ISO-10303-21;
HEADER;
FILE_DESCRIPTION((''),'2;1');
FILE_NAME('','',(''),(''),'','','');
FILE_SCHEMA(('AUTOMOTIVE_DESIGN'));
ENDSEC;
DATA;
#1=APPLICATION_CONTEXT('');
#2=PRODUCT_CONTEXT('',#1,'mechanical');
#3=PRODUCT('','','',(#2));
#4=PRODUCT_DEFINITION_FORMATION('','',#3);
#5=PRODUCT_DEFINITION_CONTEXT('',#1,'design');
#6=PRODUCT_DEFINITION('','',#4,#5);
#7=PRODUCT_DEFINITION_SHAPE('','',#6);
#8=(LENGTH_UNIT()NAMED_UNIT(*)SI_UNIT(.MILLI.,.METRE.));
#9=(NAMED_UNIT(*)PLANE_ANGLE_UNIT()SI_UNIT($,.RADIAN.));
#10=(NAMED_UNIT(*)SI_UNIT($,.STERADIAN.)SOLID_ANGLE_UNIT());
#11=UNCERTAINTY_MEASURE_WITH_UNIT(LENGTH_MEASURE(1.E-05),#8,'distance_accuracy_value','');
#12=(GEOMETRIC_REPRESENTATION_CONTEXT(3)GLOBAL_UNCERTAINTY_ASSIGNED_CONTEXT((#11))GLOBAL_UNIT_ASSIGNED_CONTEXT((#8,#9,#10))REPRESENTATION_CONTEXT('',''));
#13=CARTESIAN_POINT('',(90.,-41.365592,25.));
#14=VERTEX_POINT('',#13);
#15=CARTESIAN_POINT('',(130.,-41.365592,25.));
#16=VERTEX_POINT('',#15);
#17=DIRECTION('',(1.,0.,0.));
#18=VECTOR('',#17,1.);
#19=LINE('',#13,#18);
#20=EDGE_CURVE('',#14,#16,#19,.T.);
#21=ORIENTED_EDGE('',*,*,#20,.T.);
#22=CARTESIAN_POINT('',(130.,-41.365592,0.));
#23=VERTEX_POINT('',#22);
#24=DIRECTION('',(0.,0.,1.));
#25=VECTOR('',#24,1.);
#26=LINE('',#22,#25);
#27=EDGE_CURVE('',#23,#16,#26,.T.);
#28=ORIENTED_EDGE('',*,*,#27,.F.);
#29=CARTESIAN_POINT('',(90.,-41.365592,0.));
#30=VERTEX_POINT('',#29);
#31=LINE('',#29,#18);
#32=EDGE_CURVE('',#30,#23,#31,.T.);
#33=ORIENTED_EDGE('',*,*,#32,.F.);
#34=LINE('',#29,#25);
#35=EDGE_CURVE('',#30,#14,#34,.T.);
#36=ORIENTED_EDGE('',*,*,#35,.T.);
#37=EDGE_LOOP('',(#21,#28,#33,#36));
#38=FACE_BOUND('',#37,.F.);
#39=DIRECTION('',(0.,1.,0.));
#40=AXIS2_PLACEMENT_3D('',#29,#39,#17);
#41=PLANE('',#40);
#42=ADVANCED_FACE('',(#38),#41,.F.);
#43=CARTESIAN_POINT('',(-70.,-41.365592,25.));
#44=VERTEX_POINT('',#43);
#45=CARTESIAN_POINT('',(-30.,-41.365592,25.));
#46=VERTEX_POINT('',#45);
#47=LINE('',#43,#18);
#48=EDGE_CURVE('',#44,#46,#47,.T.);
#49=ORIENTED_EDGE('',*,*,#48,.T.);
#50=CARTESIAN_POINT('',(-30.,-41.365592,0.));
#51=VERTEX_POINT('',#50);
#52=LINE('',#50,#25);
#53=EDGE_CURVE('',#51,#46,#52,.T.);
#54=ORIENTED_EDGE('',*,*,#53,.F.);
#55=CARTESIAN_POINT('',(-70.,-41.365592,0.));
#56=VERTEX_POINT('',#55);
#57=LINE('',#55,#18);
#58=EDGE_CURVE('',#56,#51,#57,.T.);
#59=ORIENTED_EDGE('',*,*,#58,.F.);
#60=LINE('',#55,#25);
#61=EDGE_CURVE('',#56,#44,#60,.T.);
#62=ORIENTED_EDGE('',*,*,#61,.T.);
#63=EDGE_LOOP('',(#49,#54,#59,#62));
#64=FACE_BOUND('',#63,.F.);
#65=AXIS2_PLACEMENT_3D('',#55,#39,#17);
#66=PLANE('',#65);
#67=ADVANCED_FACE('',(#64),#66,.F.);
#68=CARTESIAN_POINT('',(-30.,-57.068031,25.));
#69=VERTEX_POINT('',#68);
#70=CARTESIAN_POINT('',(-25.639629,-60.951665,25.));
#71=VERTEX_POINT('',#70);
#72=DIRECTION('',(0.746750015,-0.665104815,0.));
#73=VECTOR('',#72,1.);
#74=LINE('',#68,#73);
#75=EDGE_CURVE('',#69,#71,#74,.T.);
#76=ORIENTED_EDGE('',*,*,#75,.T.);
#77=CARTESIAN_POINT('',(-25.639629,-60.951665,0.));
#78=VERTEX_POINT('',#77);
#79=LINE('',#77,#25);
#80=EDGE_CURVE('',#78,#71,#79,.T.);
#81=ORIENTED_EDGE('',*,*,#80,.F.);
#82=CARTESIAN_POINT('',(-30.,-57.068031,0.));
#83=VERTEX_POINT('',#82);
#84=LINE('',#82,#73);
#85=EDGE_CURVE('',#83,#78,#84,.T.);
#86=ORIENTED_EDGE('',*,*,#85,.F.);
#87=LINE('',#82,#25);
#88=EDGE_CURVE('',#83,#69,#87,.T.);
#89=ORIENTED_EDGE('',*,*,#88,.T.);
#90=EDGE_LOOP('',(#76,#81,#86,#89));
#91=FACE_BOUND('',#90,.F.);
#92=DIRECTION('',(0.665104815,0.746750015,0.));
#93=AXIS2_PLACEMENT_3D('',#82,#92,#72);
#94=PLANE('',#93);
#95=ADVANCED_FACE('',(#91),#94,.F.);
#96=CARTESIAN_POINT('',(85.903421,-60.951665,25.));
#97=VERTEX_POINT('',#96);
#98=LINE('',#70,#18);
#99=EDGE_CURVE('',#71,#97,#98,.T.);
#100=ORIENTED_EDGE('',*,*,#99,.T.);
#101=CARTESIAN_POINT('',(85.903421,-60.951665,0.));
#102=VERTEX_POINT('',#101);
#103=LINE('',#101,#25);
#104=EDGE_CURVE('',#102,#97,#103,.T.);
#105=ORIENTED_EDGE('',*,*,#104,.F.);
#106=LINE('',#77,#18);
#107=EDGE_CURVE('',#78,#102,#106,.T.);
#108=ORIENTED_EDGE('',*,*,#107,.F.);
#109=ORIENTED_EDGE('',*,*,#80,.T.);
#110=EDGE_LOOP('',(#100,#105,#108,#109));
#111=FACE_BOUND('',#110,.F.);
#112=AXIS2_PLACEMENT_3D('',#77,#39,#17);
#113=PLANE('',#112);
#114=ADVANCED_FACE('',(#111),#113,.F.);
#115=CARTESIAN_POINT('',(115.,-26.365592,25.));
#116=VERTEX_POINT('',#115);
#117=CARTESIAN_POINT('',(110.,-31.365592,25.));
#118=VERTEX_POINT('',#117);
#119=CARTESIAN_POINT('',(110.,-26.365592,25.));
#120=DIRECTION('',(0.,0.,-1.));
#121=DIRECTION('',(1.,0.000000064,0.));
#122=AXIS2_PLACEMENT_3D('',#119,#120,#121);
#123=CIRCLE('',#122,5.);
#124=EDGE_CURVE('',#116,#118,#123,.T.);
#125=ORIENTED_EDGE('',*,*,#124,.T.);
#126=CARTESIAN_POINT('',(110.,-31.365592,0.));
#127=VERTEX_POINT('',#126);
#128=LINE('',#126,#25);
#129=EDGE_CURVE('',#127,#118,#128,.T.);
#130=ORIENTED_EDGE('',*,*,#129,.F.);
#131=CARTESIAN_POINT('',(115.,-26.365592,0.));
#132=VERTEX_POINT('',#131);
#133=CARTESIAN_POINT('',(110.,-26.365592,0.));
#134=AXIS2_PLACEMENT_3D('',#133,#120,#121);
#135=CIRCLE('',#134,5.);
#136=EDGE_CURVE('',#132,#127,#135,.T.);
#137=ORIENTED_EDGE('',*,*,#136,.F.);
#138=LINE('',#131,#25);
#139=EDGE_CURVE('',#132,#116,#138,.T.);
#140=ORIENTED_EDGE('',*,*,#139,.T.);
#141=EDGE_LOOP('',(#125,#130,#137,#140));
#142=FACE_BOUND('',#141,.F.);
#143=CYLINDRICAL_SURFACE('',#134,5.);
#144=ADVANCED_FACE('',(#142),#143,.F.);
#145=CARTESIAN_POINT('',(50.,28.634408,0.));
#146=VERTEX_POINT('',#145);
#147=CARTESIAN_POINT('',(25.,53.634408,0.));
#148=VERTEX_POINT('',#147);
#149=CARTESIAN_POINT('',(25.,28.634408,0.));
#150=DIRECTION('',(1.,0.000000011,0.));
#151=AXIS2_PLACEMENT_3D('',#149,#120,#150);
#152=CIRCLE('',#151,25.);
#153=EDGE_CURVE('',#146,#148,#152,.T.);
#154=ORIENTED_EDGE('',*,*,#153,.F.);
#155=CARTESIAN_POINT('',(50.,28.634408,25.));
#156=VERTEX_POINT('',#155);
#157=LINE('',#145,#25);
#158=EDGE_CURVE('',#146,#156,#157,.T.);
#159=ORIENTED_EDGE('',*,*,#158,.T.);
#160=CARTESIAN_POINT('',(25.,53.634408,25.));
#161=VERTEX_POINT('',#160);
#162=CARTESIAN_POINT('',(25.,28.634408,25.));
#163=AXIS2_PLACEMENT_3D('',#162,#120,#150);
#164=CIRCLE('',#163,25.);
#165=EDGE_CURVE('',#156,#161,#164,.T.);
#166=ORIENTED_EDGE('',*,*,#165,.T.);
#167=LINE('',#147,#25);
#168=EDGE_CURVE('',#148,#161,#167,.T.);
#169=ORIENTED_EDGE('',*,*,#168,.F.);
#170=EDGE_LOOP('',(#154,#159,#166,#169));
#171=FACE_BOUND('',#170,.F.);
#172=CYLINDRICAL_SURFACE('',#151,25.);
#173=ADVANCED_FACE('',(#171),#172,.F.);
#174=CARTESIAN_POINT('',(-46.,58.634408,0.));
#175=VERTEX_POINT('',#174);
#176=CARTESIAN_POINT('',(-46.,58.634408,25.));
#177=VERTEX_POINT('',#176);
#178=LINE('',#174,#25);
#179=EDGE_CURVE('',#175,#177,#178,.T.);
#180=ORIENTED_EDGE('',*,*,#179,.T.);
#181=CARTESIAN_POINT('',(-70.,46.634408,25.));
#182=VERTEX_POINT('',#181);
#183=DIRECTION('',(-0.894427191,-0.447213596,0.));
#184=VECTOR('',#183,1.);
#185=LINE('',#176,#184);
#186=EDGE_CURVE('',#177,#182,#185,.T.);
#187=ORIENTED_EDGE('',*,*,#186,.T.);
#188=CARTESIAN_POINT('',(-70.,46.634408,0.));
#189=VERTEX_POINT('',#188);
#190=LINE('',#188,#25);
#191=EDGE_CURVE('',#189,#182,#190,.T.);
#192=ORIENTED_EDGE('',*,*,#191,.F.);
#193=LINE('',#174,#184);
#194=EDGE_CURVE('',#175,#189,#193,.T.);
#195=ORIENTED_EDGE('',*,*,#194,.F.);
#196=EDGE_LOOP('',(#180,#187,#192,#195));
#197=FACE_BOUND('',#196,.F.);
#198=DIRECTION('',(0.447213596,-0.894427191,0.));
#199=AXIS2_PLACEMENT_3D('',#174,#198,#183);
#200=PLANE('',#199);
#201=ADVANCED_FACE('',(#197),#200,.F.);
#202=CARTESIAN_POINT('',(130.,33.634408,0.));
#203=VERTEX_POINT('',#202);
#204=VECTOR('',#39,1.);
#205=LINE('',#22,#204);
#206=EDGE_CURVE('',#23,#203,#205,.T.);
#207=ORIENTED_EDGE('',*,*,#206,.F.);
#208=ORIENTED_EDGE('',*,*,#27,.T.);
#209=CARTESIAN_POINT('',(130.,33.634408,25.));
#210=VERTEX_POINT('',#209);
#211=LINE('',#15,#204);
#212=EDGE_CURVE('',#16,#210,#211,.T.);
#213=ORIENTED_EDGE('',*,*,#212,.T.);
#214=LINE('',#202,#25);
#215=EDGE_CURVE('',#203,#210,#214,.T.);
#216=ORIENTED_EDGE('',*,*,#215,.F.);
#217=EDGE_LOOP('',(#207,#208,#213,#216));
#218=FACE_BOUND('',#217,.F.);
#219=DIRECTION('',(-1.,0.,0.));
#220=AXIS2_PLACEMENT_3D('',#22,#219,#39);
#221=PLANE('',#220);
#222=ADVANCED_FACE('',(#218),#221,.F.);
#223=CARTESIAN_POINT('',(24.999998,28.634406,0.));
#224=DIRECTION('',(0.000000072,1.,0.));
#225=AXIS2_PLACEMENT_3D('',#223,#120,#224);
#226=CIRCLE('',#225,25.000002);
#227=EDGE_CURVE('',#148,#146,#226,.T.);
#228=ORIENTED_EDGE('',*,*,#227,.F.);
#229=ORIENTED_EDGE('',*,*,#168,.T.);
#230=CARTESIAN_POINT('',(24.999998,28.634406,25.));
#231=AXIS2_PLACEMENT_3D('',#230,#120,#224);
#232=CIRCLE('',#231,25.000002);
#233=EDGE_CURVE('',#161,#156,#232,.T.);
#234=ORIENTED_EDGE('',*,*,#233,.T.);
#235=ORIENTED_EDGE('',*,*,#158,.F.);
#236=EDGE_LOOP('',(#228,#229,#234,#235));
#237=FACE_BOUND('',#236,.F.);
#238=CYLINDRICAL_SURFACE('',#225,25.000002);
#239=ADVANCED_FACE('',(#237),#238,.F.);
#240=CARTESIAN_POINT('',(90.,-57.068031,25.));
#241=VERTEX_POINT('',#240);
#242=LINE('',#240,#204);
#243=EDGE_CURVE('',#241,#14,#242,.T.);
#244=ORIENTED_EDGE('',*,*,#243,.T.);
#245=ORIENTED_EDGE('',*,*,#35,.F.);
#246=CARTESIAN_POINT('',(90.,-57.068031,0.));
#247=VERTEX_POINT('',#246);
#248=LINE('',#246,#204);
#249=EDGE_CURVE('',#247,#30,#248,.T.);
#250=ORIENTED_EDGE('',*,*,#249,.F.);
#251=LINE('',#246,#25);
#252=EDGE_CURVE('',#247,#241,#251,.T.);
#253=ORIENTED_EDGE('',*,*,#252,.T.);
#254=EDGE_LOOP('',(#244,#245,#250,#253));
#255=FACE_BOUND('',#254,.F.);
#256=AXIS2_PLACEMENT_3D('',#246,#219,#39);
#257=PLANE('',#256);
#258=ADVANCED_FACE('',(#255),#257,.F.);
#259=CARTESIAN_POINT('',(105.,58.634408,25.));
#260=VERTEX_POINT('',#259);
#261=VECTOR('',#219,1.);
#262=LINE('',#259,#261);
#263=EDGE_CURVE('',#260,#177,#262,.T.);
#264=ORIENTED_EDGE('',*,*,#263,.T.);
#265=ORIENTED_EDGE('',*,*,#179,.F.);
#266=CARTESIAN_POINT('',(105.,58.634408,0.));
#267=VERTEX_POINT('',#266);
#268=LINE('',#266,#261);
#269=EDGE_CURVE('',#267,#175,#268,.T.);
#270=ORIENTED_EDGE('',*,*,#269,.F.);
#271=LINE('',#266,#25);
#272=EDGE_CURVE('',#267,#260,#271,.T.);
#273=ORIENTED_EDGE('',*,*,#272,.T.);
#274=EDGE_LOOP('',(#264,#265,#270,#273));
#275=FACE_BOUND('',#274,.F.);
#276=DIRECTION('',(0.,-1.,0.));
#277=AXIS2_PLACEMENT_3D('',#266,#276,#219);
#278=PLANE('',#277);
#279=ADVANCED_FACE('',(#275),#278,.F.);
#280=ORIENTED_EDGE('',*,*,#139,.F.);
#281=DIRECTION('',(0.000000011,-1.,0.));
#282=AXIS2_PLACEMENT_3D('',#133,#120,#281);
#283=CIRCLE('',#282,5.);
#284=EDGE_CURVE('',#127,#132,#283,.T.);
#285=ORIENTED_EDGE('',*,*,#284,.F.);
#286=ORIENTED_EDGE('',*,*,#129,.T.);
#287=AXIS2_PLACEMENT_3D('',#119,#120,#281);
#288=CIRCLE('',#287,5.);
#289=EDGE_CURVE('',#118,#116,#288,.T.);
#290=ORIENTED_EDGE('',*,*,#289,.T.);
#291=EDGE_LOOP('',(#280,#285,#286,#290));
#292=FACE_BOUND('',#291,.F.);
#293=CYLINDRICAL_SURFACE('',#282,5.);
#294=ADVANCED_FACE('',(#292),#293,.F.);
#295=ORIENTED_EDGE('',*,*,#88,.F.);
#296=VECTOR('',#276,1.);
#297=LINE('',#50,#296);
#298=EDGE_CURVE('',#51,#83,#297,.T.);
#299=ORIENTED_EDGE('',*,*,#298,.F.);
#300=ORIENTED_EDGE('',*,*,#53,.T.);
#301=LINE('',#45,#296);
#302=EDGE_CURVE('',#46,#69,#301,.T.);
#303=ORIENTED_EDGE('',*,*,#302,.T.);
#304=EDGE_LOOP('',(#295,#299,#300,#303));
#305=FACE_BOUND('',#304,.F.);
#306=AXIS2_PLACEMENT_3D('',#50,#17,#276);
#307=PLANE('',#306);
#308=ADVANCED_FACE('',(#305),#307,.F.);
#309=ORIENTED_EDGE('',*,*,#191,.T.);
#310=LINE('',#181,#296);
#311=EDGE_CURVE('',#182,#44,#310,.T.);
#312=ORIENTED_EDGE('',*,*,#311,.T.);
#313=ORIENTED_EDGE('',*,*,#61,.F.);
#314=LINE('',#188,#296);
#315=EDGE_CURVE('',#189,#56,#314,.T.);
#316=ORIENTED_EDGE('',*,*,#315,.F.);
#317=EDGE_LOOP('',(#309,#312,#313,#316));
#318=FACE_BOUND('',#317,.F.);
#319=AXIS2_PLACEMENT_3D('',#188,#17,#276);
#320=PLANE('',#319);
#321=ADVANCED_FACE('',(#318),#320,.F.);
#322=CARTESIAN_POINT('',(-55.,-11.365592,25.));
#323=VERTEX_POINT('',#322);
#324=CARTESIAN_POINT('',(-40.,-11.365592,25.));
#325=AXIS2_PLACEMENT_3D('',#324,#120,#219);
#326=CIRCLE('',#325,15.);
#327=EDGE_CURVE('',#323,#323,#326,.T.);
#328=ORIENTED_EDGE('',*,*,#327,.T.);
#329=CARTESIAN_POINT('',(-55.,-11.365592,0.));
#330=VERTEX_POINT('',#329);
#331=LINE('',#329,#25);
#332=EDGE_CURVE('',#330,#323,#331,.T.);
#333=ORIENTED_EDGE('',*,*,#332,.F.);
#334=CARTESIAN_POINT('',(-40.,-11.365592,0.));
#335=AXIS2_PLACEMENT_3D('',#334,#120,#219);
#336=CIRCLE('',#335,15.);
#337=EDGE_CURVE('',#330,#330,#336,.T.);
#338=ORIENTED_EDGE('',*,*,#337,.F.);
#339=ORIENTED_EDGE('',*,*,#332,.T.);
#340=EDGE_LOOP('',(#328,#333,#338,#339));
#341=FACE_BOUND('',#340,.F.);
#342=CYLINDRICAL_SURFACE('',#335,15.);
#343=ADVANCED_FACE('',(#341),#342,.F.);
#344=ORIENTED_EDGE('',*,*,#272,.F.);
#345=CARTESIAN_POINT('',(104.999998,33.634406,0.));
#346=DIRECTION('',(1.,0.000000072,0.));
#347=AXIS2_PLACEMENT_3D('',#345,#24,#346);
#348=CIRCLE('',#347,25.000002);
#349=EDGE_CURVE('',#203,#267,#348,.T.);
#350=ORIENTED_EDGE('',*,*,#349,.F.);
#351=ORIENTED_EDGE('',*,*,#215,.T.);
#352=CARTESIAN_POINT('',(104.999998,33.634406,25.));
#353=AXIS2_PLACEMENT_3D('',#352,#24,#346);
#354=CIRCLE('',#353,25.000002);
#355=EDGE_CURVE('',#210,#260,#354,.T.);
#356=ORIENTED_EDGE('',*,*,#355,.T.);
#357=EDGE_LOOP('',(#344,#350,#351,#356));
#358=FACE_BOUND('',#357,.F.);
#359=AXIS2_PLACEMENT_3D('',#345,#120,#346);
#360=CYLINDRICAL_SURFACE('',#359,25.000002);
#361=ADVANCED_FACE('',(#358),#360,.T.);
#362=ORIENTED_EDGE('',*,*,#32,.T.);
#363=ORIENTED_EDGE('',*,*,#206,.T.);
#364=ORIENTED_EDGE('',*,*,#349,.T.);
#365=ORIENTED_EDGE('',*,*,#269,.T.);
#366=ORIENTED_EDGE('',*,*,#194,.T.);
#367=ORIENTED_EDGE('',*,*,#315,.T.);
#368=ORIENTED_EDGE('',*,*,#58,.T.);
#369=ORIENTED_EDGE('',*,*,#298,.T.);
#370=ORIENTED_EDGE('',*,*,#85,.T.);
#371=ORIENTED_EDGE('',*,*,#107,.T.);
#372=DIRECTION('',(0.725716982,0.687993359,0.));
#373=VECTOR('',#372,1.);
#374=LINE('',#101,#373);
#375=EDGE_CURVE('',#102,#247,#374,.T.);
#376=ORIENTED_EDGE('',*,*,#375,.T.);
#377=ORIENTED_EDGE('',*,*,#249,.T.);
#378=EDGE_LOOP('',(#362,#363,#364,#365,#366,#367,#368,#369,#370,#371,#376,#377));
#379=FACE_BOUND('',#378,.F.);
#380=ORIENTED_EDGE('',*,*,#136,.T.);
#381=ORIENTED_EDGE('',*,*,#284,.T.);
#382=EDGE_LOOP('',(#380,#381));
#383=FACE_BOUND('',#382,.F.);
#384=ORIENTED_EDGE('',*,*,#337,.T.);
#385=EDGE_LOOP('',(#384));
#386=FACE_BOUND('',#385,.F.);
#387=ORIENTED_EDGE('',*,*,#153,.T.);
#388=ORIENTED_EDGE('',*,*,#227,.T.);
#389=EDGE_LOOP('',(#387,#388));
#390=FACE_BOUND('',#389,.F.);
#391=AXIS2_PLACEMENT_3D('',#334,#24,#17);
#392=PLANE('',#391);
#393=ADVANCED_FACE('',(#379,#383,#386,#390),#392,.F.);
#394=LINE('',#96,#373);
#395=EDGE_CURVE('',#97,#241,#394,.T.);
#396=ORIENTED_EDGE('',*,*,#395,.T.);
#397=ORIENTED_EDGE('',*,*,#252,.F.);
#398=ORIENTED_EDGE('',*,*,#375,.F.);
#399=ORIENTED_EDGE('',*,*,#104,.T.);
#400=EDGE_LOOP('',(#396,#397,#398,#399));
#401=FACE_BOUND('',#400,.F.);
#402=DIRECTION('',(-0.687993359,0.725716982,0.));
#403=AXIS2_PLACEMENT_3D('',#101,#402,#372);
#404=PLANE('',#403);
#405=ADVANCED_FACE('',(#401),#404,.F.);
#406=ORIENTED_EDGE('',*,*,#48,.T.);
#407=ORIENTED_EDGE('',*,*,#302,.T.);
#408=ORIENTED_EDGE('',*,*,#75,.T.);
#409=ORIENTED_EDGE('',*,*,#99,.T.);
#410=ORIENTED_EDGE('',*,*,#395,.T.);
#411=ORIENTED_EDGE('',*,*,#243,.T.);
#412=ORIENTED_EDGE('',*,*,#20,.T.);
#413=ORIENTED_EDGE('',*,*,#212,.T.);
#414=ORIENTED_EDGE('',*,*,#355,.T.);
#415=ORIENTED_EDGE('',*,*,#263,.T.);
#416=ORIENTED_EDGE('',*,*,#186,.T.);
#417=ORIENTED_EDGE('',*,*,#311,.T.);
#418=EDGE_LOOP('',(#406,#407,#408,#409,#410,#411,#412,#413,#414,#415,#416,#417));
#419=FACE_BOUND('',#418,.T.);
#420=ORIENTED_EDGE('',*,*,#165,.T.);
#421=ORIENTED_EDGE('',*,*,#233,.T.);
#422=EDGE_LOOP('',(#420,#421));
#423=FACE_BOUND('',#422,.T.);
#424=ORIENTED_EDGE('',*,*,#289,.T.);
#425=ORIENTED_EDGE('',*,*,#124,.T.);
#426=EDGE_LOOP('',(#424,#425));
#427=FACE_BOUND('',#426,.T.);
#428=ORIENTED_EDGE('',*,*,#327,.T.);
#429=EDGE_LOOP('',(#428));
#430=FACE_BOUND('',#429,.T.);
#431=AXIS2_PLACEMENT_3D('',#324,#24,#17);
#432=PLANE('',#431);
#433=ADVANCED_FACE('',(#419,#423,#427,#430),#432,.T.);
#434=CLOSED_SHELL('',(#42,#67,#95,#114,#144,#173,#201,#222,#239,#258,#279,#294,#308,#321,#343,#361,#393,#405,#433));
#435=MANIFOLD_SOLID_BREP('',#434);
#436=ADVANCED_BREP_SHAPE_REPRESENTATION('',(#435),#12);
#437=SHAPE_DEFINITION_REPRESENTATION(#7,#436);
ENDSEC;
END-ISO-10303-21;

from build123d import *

# Parameters (mm, degrees)
F1_DEPTH = 25


with BuildPart() as f1:
    # F0 (on Top) → F1 (new body)
    with BuildSketch(Plane.XY):
        with BuildLine():
            ThreePointArc((-25, -11.365592), (-40, 3.634408), (-55, -11.365592))
            ThreePointArc((-55, -11.365592), (-40, -26.365592), (-25, -11.365592))
        make_face()
        with BuildLine():
            ThreePointArc((115, -26.365592), (106.464466, -22.830058), (110, -31.365592))
            ThreePointArc((110, -31.365592), (113.535534, -29.901126), (115, -26.365592))
        make_face()
        with BuildLine():
            ThreePointArc((50, 28.634408), (42.677669, 46.312077), (25, 53.634408))
            ThreePointArc((25, 53.634408), (7.32233, 10.956738), (50, 28.634408))
        make_face()
        with BuildLine():
            Line((-46, 58.634408), (-70, 46.634408))
            Line((-70, 46.634408), (-70, -11.365592))
            Line((-70, -11.365592), (-70, -41.365592))
            Line((-70, -41.365592), (-30, -41.365592))
            Line((-30, -41.365592), (-30, -57.068031))
            Line((-30, -57.068031), (-25.639629, -60.951665))
            Line((-25.639629, -60.951665), (85.903421, -60.951665))
            Line((85.903421, -60.951665), (90, -57.068031))
            Line((90, -57.068031), (90, -41.365592))
            Line((90, -41.365592), (110, -41.365592))
            Line((110, -41.365592), (130, -41.365592))
            Line((130, -41.365592), (130, 33.634408))
            ThreePointArc((130, 33.634408), (122.677669, 51.312077), (105, 58.634408))
            Line((105, 58.634408), (25, 58.634408))
            Line((25, 58.634408), (-46, 58.634408))
        make_face()
        with BuildLine():
            ThreePointArc((-25, -11.365592), (-40, -26.365592), (-55, -11.365592))
            ThreePointArc((-55, -11.365592), (-40, 3.634408), (-25, -11.365592))
        make_face(mode=Mode.SUBTRACT)
        with BuildLine():
            ThreePointArc((115, -26.365592), (113.535534, -29.901126), (110, -31.365592))
            ThreePointArc((110, -31.365592), (106.464466, -22.830058), (115, -26.365592))
        make_face(mode=Mode.SUBTRACT)
        with BuildLine():
            ThreePointArc((50, 28.634408), (7.32233, 10.956738), (25, 53.634408))
            ThreePointArc((25, 53.634408), (42.677669, 46.312077), (50, 28.634408))
        make_face(mode=Mode.SUBTRACT)
    extrude(amount=F1_DEPTH)


solid = f1.part
